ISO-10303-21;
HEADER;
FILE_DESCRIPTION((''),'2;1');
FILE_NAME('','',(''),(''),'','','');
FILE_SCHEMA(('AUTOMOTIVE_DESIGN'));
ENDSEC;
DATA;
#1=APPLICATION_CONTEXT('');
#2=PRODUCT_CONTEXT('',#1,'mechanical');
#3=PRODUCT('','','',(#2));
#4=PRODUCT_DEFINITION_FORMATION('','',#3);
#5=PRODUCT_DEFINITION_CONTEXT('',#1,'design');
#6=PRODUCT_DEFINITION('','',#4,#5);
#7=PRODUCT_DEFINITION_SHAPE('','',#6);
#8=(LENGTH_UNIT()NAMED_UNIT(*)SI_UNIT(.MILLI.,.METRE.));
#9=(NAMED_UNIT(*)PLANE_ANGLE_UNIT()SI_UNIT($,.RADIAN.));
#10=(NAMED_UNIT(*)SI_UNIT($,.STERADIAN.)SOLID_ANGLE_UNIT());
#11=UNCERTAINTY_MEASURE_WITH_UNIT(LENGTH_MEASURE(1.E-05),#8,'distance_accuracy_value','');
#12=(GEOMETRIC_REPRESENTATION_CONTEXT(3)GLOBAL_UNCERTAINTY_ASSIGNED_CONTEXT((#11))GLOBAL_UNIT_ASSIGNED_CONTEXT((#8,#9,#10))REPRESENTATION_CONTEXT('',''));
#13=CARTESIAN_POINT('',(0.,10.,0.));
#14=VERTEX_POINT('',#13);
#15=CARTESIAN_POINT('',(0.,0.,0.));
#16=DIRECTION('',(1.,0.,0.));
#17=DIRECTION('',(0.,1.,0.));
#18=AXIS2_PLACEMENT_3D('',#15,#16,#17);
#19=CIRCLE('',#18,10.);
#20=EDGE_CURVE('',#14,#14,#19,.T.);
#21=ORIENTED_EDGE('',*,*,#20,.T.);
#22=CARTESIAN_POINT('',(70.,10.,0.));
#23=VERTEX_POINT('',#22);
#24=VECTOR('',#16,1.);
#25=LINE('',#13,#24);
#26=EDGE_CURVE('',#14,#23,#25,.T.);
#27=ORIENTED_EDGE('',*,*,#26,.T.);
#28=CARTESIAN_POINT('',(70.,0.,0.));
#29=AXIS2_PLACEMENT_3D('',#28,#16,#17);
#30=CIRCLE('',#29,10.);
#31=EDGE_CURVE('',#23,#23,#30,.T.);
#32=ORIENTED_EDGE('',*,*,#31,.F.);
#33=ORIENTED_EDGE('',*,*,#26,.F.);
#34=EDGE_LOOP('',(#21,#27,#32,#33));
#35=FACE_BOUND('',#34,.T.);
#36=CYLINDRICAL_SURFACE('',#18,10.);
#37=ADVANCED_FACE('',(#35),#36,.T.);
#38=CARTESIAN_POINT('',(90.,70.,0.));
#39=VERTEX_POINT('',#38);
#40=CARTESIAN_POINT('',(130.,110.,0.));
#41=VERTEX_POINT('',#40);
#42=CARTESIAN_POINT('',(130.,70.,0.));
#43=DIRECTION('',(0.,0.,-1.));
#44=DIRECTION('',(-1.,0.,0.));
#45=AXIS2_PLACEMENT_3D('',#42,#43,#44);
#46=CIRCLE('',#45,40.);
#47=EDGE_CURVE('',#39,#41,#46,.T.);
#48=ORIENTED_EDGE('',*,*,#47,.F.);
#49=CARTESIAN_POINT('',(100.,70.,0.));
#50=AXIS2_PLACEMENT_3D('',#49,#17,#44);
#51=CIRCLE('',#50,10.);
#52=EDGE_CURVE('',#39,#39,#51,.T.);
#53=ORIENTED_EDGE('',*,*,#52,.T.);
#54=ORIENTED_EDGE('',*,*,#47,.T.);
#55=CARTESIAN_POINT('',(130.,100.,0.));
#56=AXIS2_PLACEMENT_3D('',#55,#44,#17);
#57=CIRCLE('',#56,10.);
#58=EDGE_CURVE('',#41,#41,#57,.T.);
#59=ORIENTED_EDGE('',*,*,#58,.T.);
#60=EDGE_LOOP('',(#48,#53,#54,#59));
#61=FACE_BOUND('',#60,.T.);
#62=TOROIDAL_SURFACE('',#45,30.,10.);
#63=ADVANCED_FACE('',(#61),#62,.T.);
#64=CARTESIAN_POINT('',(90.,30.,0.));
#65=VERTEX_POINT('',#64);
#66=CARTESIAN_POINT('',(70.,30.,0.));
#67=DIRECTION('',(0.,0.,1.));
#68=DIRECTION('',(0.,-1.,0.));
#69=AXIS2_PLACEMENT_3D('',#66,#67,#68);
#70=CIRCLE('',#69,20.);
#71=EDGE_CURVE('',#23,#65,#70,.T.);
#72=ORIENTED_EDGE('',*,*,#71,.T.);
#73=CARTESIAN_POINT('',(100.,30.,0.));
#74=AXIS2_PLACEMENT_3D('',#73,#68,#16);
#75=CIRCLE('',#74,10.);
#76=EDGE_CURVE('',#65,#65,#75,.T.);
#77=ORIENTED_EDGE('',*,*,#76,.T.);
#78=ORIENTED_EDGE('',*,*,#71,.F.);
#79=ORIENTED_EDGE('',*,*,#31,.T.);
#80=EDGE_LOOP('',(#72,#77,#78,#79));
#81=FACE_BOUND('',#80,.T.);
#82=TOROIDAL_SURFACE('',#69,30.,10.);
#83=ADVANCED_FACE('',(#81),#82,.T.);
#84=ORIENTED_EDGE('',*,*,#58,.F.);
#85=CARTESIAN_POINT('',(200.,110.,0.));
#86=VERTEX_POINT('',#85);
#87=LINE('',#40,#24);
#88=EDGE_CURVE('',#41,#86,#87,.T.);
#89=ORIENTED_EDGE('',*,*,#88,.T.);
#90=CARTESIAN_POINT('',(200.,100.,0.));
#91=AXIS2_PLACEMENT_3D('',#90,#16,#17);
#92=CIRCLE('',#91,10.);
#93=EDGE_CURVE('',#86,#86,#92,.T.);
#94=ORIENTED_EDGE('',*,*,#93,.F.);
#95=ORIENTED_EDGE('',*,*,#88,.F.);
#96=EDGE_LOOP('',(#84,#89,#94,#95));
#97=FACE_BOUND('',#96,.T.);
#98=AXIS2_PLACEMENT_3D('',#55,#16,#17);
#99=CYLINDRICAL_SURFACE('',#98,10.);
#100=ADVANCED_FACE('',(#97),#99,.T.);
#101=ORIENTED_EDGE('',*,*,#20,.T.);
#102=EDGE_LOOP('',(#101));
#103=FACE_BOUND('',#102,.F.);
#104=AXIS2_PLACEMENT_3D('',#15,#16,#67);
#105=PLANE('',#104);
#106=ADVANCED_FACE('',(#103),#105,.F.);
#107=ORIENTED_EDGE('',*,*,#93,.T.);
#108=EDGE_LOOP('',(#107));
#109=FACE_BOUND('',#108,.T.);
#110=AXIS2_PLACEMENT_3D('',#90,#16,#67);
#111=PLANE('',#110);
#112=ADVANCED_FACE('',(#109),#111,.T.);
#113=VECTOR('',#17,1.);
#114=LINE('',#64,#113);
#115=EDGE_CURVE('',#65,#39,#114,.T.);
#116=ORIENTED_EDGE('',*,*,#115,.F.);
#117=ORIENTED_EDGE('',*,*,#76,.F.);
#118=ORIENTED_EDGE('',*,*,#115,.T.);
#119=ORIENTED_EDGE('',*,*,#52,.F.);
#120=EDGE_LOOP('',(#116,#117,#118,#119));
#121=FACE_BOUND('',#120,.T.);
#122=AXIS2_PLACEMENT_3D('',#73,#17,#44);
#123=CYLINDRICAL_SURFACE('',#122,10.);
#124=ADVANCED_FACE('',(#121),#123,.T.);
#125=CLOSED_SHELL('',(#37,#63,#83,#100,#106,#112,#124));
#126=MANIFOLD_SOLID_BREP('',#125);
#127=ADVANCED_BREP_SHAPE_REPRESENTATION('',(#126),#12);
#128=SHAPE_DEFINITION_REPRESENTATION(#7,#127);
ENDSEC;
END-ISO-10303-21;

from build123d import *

# Parameters (mm, degrees)
F1_R = 10


with BuildPart() as f2:
    # F2: sweep along a path in F0
    with BuildLine(Plane.XY) as f2_path:
        Line((0, 0), (70, 0))
        ThreePointArc((70, 0), (91.2132034356, 8.7867965644), (100, 30))
        Line((100, 30), (100, 70))
        ThreePointArc((100, 70), (108.7867965644, 91.2132034356), (130, 100))
        Line((130, 100), (200, 100))
    # F1 (on Right) → F2 (sweep)
    with BuildSketch(Plane.YZ):
        Circle(F1_R)
    sweep(path=f2_path.line)


solid = f2.part
